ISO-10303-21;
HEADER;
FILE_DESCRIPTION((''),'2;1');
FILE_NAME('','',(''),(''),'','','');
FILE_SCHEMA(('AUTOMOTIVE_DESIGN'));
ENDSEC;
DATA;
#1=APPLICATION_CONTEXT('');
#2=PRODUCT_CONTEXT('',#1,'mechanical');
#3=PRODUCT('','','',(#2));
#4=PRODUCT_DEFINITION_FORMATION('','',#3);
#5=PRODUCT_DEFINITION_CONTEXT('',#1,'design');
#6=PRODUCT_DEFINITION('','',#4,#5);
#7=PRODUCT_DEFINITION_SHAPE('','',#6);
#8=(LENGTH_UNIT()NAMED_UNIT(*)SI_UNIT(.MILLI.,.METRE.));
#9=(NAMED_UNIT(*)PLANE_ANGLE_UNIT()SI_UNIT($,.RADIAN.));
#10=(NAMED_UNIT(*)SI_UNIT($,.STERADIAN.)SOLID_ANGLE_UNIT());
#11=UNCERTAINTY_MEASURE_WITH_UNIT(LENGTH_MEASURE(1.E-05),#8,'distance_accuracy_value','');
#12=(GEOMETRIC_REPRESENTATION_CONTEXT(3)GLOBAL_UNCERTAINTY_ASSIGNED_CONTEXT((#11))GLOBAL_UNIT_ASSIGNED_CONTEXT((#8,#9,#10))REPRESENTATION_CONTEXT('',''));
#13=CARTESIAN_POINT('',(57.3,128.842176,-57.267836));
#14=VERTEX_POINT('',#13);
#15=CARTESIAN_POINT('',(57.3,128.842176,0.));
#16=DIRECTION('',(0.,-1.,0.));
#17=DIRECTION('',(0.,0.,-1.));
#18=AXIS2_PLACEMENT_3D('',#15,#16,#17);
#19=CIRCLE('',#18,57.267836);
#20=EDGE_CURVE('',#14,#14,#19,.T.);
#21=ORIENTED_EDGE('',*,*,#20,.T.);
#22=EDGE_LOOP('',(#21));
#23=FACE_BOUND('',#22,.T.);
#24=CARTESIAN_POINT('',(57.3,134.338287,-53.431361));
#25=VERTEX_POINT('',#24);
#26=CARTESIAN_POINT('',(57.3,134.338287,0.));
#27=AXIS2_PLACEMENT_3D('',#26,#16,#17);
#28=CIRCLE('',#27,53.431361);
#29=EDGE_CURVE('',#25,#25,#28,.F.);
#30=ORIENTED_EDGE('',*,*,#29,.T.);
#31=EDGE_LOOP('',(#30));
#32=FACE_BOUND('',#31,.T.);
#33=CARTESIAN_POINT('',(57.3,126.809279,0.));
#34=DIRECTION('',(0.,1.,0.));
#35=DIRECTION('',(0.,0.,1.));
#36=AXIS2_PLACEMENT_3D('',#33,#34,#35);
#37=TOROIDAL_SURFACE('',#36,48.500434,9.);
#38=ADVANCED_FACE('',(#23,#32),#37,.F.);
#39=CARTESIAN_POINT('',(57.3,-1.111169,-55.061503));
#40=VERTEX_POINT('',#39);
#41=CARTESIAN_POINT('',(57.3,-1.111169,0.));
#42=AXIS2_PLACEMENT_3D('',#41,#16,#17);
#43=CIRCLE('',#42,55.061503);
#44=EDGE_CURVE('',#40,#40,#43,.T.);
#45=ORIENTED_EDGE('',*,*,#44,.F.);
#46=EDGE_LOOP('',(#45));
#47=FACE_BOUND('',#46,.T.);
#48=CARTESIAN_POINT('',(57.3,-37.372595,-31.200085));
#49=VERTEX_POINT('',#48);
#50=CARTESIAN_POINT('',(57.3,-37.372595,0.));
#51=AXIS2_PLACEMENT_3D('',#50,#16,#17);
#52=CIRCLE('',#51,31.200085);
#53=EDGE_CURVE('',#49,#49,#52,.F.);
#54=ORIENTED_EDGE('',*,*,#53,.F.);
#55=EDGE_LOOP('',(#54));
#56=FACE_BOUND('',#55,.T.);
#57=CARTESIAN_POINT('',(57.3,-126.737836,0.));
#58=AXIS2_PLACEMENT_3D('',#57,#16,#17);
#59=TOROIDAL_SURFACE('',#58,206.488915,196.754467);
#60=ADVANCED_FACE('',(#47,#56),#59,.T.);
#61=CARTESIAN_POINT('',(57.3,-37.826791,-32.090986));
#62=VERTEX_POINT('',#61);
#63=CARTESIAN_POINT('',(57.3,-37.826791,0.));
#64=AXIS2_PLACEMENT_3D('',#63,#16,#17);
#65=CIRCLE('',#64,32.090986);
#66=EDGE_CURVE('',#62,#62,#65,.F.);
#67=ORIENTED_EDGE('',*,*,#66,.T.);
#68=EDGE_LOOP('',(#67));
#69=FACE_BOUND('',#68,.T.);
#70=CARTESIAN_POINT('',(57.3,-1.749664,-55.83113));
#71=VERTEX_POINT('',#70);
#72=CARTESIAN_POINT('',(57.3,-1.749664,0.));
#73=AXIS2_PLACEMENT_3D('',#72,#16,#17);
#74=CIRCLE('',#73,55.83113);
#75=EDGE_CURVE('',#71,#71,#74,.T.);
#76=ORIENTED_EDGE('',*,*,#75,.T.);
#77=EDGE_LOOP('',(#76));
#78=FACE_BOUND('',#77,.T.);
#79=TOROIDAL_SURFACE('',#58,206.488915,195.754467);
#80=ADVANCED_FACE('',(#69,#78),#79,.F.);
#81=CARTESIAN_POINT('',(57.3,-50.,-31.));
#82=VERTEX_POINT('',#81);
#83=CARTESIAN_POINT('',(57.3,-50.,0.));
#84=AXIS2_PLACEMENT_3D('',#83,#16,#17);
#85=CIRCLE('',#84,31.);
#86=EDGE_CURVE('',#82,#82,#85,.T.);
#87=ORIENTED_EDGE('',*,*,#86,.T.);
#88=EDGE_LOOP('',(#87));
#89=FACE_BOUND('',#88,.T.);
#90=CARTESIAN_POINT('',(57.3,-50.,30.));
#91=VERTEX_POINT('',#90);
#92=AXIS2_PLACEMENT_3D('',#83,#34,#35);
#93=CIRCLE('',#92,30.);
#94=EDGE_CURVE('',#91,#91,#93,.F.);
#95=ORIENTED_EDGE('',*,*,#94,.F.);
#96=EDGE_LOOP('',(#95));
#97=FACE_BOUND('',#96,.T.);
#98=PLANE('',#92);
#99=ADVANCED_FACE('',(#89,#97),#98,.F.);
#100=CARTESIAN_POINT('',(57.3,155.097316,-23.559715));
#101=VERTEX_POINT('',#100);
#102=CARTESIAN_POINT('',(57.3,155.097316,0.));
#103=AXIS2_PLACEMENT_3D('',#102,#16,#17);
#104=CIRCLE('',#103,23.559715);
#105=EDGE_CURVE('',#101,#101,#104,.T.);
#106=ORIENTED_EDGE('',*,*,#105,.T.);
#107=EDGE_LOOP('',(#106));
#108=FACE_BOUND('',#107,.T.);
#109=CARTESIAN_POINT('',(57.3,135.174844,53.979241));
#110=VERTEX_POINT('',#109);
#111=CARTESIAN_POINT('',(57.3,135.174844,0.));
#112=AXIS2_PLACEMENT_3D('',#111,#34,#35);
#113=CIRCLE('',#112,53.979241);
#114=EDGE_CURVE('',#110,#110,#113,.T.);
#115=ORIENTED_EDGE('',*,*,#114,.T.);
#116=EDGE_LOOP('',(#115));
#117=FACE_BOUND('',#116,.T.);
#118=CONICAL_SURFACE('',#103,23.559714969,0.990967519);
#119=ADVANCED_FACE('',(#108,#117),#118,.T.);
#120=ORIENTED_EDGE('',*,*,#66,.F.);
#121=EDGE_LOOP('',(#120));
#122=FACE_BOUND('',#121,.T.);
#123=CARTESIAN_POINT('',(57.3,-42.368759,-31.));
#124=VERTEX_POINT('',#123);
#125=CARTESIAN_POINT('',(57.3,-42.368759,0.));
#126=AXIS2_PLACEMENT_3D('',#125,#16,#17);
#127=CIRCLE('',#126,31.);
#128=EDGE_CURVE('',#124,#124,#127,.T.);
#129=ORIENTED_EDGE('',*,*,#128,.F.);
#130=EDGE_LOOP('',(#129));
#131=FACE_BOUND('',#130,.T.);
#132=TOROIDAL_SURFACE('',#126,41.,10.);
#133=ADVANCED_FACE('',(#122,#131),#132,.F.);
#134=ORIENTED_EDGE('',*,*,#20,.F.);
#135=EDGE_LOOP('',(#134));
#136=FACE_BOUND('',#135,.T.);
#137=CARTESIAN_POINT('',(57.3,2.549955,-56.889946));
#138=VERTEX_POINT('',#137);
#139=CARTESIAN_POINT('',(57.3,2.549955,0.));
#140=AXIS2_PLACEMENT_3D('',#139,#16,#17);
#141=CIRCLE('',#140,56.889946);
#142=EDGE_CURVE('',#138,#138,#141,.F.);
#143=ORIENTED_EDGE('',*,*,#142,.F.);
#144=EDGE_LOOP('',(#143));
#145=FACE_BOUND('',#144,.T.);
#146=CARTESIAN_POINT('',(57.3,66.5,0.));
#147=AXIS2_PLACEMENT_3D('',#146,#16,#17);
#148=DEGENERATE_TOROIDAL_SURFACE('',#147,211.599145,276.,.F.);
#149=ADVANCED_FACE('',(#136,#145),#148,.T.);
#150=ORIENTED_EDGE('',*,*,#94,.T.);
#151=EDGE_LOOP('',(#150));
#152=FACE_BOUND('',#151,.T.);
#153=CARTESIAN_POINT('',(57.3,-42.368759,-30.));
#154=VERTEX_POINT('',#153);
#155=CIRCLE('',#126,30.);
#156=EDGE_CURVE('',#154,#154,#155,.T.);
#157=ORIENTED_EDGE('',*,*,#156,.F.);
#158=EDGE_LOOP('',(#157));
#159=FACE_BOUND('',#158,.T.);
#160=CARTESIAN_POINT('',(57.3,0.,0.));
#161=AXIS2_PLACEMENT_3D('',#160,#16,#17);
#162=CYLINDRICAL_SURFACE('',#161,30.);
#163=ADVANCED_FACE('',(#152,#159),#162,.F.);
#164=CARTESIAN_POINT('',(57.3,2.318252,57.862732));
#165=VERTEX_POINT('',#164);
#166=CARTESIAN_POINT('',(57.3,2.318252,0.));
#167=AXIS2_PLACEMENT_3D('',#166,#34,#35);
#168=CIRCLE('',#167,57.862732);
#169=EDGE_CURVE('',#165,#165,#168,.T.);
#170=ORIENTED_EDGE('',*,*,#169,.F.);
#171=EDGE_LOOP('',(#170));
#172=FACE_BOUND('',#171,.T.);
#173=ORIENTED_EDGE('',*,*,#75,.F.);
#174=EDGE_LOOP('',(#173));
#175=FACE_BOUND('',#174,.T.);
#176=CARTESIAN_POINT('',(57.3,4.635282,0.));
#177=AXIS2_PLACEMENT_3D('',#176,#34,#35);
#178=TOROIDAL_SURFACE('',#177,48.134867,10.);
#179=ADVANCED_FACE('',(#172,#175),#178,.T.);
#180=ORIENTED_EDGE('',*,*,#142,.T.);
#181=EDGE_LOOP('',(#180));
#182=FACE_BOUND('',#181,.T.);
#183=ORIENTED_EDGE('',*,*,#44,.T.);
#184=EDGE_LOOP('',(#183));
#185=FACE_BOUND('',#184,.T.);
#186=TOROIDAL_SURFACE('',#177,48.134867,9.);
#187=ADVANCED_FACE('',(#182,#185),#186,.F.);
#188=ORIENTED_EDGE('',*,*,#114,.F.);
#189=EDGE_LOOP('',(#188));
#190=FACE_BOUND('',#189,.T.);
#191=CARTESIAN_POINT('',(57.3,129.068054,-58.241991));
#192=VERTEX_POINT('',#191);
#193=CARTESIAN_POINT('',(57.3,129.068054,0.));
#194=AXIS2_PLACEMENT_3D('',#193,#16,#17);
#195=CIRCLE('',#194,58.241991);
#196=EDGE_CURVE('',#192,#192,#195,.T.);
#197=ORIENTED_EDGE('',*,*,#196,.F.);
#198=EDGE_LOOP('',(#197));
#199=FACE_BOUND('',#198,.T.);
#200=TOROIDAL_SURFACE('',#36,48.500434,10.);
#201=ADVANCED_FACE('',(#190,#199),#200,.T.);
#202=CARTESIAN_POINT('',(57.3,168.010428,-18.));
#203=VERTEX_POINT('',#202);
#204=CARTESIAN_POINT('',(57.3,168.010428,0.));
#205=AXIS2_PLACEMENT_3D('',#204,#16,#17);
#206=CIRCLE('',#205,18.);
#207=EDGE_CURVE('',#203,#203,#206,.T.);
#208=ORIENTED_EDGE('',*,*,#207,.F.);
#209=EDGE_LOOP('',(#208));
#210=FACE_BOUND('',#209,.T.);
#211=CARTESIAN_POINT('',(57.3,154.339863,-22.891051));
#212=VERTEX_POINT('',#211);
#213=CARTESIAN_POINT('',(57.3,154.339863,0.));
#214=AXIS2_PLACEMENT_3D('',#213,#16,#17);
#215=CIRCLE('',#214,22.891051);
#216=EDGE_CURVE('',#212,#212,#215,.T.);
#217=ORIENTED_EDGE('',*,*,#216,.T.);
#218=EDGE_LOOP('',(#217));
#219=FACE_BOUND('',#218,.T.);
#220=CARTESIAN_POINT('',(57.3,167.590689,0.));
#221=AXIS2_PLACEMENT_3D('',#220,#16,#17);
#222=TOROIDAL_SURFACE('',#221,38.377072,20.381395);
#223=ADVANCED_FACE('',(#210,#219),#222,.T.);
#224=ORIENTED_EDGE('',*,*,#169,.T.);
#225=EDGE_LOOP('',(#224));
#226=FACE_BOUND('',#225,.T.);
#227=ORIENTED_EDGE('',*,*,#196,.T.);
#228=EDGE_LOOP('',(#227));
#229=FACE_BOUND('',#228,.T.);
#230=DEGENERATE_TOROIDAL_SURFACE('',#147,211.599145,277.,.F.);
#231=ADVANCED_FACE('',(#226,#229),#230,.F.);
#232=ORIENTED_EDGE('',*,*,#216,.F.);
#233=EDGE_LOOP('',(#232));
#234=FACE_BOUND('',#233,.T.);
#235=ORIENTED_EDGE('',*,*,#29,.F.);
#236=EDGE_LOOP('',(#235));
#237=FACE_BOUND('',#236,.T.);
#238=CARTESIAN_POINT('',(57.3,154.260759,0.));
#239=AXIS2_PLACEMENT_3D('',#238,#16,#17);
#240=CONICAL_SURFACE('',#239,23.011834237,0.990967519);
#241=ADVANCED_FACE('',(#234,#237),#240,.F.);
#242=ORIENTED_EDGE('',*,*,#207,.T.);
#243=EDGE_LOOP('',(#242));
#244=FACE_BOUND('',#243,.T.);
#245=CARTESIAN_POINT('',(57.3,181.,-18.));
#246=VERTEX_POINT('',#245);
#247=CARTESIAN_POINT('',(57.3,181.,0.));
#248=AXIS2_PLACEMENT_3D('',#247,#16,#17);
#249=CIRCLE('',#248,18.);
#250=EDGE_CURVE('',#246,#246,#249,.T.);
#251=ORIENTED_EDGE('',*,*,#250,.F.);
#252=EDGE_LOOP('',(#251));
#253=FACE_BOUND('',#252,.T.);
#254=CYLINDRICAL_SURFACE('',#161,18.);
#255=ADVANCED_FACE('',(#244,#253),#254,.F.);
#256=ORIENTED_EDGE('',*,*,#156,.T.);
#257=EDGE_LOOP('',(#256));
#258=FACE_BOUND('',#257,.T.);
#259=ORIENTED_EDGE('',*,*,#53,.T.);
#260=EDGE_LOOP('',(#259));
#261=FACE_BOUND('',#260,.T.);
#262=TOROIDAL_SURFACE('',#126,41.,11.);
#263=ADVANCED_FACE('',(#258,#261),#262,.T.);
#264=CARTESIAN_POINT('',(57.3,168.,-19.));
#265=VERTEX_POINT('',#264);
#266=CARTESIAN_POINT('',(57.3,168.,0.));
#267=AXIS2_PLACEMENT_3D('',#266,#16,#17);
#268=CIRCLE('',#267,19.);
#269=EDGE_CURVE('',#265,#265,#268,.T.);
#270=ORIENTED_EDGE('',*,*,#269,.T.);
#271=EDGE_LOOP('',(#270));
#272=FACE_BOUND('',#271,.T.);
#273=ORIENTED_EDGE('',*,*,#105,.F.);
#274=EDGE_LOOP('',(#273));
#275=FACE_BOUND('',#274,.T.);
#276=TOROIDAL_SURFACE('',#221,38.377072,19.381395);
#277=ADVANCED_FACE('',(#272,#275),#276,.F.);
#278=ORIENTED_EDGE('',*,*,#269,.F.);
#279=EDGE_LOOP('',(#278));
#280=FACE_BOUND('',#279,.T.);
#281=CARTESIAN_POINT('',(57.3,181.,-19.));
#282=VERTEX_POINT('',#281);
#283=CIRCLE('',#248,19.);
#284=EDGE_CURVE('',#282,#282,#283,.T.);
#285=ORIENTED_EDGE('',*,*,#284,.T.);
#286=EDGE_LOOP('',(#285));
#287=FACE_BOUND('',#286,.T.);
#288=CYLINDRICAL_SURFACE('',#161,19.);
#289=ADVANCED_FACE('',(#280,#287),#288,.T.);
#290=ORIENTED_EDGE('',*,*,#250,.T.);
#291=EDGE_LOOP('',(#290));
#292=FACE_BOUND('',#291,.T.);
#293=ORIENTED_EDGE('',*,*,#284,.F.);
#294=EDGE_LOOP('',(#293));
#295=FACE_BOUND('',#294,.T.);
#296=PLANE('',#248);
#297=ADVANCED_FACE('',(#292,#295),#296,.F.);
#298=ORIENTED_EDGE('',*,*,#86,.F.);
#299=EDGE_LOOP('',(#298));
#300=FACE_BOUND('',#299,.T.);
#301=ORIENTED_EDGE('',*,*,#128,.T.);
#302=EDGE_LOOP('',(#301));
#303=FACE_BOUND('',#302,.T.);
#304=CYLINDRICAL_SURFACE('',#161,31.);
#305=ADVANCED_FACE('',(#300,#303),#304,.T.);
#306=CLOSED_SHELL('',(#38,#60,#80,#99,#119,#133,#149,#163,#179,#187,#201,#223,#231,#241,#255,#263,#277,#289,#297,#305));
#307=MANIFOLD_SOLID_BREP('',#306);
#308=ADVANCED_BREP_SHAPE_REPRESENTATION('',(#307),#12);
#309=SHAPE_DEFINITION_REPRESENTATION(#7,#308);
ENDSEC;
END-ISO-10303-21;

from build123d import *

# Parameters (mm, degrees)
REDONDEO1_R = 10
REDONDEO2_R = 10
VACIADO1_T  = -1


with BuildPart() as part:
    # Croquis1 → Revolución2 (revolve)
    with BuildSketch(Plane.XY, mode=Mode.PRIVATE) as revoluci_n2_sk:
        with BuildLine():
            Line((57.3, 133), (57.3, 181))
            Line((57.3, 181), (38.3, 181))
            Line((38.3, 181), (38.3, 168))
            ThreePointArc((38.3, 168), (37.196804423, 161.132834072), (33.740285031, 155.097315696))
            Line((33.740285031, 155.097315696), (0, 133))
            ThreePointArc((0, 133), (-8.100855338, 66.5), (0, 0))
            ThreePointArc((0, 0), (14.37735085, -19.193016816), (26.3, -40))
            Line((26.3, -40), (26.3, -50))
            Line((26.3, -50), (57.3, -50))
            Line((57.3, -50), (57.3, 0))
            Line((57.3, 0), (57.3, 133))
        make_face()
    revolve(revoluci_n2_sk.sketch.rotate(Axis((57.3, 0, 0), (0, 1, 0)), 270), axis=Axis((57.3, 0, 0), (0, 1, 0)))

    # Redondeo1
    redondeo1_edges = [part.edges().sort_by_distance(p)[0] for p in [
        (57.3, 133, 57.3),
    ]]
    fillet(redondeo1_edges, radius=REDONDEO1_R)

    # Redondeo2
    redondeo2_edges = [part.edges().sort_by_distance(p)[0] for p in [
        (57.3, 0, 57.3),
        (57.3, -40, 31),
    ]]
    fillet(redondeo2_edges, radius=REDONDEO2_R)

    # Vaciado1
    vaciado1_openings = [part.faces().sort_by_distance(p)[0] for p in [
        (57.3, -50, 0),
        (57.3, 181, 0),
    ]]
    offset(amount=VACIADO1_T, openings=vaciado1_openings, kind=Kind.INTERSECTION)


solid = part.part
